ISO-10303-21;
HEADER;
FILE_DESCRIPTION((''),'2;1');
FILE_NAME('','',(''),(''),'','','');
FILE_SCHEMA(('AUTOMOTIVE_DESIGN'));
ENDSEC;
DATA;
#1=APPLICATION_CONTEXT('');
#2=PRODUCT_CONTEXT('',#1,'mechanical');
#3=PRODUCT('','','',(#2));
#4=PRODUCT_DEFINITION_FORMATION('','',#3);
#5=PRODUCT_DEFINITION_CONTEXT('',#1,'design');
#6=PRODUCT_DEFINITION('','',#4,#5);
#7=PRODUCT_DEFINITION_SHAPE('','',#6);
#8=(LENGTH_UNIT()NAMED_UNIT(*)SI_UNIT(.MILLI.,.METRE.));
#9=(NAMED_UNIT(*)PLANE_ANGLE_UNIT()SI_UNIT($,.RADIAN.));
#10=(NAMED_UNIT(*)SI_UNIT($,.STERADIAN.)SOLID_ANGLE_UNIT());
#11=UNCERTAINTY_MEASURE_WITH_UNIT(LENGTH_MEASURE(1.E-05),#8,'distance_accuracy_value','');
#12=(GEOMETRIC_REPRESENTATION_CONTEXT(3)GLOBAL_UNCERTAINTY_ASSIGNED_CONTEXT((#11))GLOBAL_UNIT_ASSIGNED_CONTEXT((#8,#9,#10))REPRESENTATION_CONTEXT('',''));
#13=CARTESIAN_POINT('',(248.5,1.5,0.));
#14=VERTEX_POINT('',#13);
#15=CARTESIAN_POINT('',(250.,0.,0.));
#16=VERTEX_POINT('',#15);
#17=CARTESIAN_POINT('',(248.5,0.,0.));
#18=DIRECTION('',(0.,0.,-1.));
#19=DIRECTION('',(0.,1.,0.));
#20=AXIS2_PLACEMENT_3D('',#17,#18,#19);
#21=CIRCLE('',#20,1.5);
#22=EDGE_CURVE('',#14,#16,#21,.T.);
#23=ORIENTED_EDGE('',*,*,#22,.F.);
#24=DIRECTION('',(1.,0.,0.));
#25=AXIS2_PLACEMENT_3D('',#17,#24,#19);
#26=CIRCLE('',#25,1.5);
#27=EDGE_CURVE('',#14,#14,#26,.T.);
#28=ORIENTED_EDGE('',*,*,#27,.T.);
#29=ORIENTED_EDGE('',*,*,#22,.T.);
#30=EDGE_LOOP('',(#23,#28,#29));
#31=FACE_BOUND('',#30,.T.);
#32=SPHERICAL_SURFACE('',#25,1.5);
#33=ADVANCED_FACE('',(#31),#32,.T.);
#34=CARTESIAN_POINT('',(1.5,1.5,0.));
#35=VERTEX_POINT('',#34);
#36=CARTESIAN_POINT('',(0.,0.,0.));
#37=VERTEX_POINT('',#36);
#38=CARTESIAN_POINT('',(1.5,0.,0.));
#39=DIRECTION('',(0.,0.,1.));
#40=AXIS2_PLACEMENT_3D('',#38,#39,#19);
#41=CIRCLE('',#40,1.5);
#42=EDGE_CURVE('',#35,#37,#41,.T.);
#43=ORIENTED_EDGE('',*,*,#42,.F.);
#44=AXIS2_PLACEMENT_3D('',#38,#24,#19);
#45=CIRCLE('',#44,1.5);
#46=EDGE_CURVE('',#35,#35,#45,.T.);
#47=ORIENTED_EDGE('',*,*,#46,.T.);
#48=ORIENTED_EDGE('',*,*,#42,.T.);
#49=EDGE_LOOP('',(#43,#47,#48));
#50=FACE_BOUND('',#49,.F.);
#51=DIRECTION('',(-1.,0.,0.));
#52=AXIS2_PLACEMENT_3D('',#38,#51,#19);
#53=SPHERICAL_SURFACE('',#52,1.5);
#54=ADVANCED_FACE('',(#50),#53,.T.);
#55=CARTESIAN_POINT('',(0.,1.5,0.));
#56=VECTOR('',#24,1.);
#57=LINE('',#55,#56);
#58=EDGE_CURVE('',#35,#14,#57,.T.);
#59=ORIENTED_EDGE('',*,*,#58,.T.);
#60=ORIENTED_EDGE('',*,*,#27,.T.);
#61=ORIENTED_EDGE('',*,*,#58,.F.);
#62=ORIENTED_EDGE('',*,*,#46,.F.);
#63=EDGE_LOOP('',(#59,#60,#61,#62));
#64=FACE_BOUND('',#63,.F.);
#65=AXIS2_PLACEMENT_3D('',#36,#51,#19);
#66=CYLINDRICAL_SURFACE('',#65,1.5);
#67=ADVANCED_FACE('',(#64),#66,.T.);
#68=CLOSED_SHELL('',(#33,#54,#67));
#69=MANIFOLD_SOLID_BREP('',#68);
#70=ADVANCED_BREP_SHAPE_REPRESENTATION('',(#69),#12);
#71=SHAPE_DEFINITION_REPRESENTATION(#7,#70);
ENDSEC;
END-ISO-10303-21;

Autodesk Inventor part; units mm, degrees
ref_plane "YZ Plane" through (0, 0, 0) normal (1, 0, 0) x (0, 1, 0)
ref_plane "XZ Plane" through (0, 0, 0) normal (0, 1, 0) x (-1, 0, 0)
ref_plane "XY Plane" through (0, 0, 0) normal (0, 0, 1) x (1, 0, 0)
sketch "Sketch1" plane through (0, 0, 0) normal (1, 0, 0) x (0, 1, 0)
  circle A0 centre (0, 0) radius 1.5
  dimension "d0" = 3
extrude "Extrusion1" add sketch "Sketch1" along normal blind 250
fillet "Fillet1" radius 1.5 2 edges at (250, -1.5, 0) (0, -1.5, 0)
properties part number "Heat Pipe 250 mm" material "Copper, Alloy"
